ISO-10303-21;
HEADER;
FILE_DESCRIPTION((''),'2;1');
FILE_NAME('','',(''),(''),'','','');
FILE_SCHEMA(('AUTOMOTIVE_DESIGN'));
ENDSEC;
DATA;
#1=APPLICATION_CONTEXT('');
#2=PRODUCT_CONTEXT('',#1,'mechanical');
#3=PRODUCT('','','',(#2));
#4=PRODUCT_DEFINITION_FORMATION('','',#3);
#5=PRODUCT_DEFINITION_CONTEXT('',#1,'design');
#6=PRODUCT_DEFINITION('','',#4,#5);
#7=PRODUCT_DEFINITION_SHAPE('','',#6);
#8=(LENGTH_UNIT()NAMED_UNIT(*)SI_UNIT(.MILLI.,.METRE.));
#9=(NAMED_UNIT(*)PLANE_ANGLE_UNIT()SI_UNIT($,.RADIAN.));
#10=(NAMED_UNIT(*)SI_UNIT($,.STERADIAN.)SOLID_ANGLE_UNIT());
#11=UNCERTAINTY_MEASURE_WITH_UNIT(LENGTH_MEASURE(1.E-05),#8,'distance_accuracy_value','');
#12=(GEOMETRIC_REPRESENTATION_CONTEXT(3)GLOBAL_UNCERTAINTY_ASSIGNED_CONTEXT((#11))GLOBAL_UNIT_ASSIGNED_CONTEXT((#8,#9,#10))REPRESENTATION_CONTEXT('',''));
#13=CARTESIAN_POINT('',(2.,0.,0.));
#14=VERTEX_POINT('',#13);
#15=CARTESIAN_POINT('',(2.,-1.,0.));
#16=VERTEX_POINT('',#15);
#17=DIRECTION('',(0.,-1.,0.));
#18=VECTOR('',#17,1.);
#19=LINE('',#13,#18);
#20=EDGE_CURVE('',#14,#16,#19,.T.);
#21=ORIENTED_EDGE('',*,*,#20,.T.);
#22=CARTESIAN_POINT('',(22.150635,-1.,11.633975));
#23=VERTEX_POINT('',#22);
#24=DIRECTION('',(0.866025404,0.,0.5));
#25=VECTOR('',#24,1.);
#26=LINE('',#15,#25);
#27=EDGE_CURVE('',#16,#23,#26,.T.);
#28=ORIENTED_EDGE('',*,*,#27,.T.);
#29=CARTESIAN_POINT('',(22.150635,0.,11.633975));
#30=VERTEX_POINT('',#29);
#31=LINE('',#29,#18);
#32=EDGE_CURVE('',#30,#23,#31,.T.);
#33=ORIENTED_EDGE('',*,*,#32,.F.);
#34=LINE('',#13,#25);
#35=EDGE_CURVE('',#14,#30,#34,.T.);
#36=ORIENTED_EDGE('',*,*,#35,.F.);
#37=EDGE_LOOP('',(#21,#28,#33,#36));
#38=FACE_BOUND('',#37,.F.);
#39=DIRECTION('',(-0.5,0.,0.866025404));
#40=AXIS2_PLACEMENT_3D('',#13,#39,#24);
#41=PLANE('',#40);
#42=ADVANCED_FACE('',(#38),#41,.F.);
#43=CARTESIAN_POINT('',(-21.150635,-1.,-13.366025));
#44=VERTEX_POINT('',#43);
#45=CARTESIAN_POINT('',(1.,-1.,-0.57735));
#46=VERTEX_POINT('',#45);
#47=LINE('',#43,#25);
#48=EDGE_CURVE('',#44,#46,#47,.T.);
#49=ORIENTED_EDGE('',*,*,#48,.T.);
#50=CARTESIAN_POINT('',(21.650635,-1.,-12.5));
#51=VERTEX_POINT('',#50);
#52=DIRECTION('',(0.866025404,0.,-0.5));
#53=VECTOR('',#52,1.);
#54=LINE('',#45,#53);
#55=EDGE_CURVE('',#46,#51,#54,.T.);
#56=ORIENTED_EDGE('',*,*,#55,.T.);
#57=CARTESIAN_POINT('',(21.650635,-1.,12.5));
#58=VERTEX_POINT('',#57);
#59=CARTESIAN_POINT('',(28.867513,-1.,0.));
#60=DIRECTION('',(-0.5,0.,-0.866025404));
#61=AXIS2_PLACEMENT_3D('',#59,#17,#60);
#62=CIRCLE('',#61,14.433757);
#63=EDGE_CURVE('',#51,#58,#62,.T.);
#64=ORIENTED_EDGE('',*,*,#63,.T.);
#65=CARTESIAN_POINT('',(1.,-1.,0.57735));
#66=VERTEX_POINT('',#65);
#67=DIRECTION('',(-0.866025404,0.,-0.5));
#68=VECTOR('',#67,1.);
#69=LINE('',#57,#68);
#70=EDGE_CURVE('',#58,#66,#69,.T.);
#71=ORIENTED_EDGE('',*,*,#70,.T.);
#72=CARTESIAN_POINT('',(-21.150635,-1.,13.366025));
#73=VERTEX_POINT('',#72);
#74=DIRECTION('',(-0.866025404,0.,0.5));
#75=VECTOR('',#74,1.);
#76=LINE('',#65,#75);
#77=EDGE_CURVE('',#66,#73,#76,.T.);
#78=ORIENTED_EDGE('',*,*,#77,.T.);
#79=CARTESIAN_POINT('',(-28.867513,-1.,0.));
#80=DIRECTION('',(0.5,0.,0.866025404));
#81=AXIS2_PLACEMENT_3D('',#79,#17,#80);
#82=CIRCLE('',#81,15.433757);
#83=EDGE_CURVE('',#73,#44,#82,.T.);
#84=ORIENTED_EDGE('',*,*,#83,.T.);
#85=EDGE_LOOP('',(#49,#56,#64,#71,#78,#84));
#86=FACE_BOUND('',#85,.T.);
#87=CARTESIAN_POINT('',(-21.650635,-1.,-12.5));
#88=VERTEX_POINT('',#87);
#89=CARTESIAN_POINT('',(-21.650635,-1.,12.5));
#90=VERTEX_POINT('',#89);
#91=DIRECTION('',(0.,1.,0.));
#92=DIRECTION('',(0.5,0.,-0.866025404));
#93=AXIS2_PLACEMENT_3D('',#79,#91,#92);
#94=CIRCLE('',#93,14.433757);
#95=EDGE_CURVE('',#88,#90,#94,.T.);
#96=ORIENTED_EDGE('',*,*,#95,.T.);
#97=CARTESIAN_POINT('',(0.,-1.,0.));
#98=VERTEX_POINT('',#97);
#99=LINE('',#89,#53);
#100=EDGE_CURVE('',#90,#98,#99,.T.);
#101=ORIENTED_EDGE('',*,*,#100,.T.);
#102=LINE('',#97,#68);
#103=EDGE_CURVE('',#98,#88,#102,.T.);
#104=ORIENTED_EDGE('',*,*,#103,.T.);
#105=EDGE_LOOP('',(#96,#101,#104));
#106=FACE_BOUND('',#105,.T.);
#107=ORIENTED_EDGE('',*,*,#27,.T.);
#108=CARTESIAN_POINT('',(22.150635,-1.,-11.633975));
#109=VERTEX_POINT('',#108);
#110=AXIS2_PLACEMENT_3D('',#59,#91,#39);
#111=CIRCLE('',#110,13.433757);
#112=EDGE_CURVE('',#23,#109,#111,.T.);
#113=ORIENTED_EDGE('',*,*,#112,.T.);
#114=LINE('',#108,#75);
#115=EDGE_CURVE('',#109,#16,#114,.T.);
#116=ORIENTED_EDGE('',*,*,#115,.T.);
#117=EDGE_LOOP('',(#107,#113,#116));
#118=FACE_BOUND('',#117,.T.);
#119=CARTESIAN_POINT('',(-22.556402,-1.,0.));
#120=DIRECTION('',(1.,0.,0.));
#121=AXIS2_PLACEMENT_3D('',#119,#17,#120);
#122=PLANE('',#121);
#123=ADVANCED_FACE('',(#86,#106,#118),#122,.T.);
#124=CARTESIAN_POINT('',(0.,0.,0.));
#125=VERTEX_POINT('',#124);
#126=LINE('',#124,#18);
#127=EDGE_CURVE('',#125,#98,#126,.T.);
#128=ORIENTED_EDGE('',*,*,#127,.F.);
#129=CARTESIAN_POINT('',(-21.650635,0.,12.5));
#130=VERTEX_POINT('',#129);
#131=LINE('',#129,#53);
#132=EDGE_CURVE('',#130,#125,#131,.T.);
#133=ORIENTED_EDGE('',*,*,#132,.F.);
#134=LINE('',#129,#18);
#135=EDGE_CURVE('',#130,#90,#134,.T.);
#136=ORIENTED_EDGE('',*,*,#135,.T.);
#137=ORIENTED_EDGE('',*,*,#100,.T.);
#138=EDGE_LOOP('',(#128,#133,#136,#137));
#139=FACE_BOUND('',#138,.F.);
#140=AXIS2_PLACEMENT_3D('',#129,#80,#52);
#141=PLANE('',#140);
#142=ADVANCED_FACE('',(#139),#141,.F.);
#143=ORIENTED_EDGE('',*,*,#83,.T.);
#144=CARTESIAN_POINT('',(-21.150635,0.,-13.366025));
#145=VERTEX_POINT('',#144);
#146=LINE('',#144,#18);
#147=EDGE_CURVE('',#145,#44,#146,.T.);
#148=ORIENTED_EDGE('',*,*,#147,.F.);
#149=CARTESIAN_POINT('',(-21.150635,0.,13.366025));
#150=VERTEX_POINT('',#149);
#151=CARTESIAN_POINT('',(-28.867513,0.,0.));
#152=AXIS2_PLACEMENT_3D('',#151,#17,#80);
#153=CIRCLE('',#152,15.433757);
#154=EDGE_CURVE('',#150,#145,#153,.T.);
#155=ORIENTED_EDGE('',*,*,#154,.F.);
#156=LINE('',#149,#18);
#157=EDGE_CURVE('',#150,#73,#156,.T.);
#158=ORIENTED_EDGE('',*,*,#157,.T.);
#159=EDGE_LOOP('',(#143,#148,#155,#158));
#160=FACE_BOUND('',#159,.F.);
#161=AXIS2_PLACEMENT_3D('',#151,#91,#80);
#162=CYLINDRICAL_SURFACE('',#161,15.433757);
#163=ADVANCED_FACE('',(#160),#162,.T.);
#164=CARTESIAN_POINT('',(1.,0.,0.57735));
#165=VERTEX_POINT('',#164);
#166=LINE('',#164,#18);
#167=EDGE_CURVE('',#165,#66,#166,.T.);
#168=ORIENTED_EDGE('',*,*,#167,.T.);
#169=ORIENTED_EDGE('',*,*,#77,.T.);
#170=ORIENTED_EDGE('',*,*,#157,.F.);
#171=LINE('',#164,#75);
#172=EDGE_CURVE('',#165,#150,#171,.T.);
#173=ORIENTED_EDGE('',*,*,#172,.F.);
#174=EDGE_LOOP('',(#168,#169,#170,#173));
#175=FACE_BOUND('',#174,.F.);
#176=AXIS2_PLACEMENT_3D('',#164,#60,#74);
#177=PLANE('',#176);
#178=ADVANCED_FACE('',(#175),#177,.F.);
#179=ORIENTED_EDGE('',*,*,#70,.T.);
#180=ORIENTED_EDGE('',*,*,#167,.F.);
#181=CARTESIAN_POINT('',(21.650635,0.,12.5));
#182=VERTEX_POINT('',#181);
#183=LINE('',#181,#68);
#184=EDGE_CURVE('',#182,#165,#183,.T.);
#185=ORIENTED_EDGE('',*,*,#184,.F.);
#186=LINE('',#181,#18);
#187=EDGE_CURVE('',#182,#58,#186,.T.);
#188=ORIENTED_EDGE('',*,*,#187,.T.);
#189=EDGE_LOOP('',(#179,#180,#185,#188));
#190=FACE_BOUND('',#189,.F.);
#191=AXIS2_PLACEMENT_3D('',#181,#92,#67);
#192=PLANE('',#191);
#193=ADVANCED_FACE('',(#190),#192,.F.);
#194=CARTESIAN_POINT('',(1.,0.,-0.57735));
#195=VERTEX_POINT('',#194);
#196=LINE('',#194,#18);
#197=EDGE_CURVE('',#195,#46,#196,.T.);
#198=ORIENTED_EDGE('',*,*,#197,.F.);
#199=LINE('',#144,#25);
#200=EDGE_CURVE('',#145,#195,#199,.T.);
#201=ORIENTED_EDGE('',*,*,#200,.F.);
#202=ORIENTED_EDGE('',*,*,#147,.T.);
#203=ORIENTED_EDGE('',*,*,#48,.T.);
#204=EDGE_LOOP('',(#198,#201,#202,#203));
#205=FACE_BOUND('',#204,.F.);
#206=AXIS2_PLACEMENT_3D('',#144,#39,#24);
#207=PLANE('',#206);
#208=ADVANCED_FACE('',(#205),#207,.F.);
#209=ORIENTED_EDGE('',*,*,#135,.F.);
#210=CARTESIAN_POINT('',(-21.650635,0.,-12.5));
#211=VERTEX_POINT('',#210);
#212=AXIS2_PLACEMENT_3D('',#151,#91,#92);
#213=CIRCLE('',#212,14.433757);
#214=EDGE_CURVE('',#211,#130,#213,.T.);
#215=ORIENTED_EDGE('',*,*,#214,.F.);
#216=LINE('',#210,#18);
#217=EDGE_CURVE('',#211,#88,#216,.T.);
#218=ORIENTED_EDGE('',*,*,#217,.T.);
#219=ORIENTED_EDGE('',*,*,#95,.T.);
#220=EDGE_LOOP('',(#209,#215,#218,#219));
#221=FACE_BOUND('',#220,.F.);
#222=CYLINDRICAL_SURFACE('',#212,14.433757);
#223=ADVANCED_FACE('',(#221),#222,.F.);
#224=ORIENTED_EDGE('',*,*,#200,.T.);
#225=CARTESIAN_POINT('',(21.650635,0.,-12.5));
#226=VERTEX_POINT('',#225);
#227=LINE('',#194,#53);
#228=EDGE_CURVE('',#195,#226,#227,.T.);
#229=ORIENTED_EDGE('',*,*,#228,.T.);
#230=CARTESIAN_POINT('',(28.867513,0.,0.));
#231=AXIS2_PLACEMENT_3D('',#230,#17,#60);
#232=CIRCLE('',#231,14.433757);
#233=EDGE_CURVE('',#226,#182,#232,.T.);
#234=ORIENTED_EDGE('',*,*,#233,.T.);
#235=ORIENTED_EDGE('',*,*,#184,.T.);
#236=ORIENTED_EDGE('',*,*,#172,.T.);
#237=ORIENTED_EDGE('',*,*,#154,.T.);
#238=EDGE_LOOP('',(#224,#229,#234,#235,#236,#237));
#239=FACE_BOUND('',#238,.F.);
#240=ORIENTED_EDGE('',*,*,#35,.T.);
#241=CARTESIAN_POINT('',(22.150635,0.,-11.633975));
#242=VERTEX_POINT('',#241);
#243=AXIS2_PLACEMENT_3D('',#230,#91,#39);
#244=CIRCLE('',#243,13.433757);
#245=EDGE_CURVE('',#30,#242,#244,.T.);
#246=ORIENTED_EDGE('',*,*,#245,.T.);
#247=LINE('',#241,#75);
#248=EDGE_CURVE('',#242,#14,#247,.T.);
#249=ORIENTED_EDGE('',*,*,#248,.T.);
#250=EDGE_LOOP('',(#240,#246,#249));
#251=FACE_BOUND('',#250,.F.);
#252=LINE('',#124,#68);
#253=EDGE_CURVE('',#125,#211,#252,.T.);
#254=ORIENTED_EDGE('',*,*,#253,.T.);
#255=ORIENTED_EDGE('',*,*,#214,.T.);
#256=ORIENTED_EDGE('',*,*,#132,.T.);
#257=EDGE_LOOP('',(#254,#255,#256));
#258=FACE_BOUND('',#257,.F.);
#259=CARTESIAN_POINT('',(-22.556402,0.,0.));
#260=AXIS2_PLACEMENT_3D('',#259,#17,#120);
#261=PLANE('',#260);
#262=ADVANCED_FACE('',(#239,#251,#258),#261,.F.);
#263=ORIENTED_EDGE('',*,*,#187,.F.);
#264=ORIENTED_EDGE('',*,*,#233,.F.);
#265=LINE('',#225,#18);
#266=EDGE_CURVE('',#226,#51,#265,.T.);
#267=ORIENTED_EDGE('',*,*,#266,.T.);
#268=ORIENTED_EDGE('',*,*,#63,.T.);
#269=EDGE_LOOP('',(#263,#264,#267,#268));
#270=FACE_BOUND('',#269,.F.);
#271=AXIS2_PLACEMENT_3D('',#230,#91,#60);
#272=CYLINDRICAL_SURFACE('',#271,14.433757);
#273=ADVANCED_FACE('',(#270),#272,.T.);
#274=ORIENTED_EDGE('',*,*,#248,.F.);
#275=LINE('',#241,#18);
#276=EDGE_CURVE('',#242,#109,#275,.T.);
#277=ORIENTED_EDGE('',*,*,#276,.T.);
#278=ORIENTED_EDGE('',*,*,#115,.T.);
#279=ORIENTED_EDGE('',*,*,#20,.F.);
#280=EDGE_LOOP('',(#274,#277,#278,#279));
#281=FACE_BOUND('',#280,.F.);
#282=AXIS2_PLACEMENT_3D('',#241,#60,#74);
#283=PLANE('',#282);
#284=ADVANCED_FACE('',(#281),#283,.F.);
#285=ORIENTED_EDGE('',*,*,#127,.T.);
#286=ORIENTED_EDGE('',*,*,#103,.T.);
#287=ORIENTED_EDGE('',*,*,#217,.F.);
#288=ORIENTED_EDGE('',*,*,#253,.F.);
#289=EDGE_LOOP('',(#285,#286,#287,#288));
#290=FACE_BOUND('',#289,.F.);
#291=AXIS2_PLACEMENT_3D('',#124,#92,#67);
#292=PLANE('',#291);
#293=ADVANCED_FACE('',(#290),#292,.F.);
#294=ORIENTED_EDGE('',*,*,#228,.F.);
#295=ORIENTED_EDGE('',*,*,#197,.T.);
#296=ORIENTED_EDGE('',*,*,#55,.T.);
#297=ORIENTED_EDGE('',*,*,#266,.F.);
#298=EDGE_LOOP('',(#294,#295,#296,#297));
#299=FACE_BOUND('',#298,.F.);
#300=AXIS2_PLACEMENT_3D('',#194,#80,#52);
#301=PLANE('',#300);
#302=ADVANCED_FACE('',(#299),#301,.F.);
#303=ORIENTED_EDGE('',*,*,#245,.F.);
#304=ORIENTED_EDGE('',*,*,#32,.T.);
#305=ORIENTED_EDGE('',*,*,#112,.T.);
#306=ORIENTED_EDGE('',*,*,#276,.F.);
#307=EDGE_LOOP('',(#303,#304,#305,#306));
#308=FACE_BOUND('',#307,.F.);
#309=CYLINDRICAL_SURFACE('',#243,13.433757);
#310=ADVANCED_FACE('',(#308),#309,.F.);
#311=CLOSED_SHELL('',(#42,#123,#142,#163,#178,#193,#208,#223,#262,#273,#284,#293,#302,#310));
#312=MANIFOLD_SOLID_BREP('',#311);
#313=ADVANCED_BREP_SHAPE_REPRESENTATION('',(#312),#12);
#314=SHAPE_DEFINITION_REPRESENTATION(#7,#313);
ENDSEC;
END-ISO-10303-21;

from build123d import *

# Parameters (mm, degrees)
F1_DEPTH = 1


with BuildPart() as f1:
    # F0 (on Front) → F1 (new body)
    with BuildSketch(Plane.XZ):
        with BuildLine():
            Line((1, -0.5773502692), (0, 0))
            Line((0, 0), (1, 0.5773502692))
            Line((1, 0.5773502692), (-21.1506350946, 13.3660254038))
            ThreePointArc((-21.1506350946, 13.3660254038), (-44.3012701892, 0), (-21.1506350946, -13.3660254038))
            Line((-21.1506350946, -13.3660254038), (1, -0.5773502692))
        make_face()
        with BuildLine():
            Line((0, 0), (-21.6506350946, -12.5))
            ThreePointArc((-21.6506350946, -12.5), (-43.3012701892, 0), (-21.6506350946, 12.5))
            Line((-21.6506350946, 12.5), (0, 0))
        make_face(mode=Mode.SUBTRACT)
        Polygon((1, 0.5773502692), (0, 0), (1, -0.5773502692), (2, 0), align=None)
        with BuildLine():
            Line((21.6506350946, 12.5), (1, 0.5773502692))
            Line((1, 0.5773502692), (2, 0))
            Line((2, 0), (1, -0.5773502692))
            Line((1, -0.5773502692), (21.6506350946, -12.5))
            ThreePointArc((21.6506350946, -12.5), (43.3012701892, 0), (21.6506350946, 12.5))
        make_face()
        with BuildLine():
            Line((22.1506350946, -11.6339745962), (2, 0))
            Line((2, 0), (22.1506350946, 11.6339745962))
            ThreePointArc((22.1506350946, 11.6339745962), (42.3012701892, 0), (22.1506350946, -11.6339745962))
        make_face(mode=Mode.SUBTRACT)
    extrude(amount=F1_DEPTH)


solid = f1.part
